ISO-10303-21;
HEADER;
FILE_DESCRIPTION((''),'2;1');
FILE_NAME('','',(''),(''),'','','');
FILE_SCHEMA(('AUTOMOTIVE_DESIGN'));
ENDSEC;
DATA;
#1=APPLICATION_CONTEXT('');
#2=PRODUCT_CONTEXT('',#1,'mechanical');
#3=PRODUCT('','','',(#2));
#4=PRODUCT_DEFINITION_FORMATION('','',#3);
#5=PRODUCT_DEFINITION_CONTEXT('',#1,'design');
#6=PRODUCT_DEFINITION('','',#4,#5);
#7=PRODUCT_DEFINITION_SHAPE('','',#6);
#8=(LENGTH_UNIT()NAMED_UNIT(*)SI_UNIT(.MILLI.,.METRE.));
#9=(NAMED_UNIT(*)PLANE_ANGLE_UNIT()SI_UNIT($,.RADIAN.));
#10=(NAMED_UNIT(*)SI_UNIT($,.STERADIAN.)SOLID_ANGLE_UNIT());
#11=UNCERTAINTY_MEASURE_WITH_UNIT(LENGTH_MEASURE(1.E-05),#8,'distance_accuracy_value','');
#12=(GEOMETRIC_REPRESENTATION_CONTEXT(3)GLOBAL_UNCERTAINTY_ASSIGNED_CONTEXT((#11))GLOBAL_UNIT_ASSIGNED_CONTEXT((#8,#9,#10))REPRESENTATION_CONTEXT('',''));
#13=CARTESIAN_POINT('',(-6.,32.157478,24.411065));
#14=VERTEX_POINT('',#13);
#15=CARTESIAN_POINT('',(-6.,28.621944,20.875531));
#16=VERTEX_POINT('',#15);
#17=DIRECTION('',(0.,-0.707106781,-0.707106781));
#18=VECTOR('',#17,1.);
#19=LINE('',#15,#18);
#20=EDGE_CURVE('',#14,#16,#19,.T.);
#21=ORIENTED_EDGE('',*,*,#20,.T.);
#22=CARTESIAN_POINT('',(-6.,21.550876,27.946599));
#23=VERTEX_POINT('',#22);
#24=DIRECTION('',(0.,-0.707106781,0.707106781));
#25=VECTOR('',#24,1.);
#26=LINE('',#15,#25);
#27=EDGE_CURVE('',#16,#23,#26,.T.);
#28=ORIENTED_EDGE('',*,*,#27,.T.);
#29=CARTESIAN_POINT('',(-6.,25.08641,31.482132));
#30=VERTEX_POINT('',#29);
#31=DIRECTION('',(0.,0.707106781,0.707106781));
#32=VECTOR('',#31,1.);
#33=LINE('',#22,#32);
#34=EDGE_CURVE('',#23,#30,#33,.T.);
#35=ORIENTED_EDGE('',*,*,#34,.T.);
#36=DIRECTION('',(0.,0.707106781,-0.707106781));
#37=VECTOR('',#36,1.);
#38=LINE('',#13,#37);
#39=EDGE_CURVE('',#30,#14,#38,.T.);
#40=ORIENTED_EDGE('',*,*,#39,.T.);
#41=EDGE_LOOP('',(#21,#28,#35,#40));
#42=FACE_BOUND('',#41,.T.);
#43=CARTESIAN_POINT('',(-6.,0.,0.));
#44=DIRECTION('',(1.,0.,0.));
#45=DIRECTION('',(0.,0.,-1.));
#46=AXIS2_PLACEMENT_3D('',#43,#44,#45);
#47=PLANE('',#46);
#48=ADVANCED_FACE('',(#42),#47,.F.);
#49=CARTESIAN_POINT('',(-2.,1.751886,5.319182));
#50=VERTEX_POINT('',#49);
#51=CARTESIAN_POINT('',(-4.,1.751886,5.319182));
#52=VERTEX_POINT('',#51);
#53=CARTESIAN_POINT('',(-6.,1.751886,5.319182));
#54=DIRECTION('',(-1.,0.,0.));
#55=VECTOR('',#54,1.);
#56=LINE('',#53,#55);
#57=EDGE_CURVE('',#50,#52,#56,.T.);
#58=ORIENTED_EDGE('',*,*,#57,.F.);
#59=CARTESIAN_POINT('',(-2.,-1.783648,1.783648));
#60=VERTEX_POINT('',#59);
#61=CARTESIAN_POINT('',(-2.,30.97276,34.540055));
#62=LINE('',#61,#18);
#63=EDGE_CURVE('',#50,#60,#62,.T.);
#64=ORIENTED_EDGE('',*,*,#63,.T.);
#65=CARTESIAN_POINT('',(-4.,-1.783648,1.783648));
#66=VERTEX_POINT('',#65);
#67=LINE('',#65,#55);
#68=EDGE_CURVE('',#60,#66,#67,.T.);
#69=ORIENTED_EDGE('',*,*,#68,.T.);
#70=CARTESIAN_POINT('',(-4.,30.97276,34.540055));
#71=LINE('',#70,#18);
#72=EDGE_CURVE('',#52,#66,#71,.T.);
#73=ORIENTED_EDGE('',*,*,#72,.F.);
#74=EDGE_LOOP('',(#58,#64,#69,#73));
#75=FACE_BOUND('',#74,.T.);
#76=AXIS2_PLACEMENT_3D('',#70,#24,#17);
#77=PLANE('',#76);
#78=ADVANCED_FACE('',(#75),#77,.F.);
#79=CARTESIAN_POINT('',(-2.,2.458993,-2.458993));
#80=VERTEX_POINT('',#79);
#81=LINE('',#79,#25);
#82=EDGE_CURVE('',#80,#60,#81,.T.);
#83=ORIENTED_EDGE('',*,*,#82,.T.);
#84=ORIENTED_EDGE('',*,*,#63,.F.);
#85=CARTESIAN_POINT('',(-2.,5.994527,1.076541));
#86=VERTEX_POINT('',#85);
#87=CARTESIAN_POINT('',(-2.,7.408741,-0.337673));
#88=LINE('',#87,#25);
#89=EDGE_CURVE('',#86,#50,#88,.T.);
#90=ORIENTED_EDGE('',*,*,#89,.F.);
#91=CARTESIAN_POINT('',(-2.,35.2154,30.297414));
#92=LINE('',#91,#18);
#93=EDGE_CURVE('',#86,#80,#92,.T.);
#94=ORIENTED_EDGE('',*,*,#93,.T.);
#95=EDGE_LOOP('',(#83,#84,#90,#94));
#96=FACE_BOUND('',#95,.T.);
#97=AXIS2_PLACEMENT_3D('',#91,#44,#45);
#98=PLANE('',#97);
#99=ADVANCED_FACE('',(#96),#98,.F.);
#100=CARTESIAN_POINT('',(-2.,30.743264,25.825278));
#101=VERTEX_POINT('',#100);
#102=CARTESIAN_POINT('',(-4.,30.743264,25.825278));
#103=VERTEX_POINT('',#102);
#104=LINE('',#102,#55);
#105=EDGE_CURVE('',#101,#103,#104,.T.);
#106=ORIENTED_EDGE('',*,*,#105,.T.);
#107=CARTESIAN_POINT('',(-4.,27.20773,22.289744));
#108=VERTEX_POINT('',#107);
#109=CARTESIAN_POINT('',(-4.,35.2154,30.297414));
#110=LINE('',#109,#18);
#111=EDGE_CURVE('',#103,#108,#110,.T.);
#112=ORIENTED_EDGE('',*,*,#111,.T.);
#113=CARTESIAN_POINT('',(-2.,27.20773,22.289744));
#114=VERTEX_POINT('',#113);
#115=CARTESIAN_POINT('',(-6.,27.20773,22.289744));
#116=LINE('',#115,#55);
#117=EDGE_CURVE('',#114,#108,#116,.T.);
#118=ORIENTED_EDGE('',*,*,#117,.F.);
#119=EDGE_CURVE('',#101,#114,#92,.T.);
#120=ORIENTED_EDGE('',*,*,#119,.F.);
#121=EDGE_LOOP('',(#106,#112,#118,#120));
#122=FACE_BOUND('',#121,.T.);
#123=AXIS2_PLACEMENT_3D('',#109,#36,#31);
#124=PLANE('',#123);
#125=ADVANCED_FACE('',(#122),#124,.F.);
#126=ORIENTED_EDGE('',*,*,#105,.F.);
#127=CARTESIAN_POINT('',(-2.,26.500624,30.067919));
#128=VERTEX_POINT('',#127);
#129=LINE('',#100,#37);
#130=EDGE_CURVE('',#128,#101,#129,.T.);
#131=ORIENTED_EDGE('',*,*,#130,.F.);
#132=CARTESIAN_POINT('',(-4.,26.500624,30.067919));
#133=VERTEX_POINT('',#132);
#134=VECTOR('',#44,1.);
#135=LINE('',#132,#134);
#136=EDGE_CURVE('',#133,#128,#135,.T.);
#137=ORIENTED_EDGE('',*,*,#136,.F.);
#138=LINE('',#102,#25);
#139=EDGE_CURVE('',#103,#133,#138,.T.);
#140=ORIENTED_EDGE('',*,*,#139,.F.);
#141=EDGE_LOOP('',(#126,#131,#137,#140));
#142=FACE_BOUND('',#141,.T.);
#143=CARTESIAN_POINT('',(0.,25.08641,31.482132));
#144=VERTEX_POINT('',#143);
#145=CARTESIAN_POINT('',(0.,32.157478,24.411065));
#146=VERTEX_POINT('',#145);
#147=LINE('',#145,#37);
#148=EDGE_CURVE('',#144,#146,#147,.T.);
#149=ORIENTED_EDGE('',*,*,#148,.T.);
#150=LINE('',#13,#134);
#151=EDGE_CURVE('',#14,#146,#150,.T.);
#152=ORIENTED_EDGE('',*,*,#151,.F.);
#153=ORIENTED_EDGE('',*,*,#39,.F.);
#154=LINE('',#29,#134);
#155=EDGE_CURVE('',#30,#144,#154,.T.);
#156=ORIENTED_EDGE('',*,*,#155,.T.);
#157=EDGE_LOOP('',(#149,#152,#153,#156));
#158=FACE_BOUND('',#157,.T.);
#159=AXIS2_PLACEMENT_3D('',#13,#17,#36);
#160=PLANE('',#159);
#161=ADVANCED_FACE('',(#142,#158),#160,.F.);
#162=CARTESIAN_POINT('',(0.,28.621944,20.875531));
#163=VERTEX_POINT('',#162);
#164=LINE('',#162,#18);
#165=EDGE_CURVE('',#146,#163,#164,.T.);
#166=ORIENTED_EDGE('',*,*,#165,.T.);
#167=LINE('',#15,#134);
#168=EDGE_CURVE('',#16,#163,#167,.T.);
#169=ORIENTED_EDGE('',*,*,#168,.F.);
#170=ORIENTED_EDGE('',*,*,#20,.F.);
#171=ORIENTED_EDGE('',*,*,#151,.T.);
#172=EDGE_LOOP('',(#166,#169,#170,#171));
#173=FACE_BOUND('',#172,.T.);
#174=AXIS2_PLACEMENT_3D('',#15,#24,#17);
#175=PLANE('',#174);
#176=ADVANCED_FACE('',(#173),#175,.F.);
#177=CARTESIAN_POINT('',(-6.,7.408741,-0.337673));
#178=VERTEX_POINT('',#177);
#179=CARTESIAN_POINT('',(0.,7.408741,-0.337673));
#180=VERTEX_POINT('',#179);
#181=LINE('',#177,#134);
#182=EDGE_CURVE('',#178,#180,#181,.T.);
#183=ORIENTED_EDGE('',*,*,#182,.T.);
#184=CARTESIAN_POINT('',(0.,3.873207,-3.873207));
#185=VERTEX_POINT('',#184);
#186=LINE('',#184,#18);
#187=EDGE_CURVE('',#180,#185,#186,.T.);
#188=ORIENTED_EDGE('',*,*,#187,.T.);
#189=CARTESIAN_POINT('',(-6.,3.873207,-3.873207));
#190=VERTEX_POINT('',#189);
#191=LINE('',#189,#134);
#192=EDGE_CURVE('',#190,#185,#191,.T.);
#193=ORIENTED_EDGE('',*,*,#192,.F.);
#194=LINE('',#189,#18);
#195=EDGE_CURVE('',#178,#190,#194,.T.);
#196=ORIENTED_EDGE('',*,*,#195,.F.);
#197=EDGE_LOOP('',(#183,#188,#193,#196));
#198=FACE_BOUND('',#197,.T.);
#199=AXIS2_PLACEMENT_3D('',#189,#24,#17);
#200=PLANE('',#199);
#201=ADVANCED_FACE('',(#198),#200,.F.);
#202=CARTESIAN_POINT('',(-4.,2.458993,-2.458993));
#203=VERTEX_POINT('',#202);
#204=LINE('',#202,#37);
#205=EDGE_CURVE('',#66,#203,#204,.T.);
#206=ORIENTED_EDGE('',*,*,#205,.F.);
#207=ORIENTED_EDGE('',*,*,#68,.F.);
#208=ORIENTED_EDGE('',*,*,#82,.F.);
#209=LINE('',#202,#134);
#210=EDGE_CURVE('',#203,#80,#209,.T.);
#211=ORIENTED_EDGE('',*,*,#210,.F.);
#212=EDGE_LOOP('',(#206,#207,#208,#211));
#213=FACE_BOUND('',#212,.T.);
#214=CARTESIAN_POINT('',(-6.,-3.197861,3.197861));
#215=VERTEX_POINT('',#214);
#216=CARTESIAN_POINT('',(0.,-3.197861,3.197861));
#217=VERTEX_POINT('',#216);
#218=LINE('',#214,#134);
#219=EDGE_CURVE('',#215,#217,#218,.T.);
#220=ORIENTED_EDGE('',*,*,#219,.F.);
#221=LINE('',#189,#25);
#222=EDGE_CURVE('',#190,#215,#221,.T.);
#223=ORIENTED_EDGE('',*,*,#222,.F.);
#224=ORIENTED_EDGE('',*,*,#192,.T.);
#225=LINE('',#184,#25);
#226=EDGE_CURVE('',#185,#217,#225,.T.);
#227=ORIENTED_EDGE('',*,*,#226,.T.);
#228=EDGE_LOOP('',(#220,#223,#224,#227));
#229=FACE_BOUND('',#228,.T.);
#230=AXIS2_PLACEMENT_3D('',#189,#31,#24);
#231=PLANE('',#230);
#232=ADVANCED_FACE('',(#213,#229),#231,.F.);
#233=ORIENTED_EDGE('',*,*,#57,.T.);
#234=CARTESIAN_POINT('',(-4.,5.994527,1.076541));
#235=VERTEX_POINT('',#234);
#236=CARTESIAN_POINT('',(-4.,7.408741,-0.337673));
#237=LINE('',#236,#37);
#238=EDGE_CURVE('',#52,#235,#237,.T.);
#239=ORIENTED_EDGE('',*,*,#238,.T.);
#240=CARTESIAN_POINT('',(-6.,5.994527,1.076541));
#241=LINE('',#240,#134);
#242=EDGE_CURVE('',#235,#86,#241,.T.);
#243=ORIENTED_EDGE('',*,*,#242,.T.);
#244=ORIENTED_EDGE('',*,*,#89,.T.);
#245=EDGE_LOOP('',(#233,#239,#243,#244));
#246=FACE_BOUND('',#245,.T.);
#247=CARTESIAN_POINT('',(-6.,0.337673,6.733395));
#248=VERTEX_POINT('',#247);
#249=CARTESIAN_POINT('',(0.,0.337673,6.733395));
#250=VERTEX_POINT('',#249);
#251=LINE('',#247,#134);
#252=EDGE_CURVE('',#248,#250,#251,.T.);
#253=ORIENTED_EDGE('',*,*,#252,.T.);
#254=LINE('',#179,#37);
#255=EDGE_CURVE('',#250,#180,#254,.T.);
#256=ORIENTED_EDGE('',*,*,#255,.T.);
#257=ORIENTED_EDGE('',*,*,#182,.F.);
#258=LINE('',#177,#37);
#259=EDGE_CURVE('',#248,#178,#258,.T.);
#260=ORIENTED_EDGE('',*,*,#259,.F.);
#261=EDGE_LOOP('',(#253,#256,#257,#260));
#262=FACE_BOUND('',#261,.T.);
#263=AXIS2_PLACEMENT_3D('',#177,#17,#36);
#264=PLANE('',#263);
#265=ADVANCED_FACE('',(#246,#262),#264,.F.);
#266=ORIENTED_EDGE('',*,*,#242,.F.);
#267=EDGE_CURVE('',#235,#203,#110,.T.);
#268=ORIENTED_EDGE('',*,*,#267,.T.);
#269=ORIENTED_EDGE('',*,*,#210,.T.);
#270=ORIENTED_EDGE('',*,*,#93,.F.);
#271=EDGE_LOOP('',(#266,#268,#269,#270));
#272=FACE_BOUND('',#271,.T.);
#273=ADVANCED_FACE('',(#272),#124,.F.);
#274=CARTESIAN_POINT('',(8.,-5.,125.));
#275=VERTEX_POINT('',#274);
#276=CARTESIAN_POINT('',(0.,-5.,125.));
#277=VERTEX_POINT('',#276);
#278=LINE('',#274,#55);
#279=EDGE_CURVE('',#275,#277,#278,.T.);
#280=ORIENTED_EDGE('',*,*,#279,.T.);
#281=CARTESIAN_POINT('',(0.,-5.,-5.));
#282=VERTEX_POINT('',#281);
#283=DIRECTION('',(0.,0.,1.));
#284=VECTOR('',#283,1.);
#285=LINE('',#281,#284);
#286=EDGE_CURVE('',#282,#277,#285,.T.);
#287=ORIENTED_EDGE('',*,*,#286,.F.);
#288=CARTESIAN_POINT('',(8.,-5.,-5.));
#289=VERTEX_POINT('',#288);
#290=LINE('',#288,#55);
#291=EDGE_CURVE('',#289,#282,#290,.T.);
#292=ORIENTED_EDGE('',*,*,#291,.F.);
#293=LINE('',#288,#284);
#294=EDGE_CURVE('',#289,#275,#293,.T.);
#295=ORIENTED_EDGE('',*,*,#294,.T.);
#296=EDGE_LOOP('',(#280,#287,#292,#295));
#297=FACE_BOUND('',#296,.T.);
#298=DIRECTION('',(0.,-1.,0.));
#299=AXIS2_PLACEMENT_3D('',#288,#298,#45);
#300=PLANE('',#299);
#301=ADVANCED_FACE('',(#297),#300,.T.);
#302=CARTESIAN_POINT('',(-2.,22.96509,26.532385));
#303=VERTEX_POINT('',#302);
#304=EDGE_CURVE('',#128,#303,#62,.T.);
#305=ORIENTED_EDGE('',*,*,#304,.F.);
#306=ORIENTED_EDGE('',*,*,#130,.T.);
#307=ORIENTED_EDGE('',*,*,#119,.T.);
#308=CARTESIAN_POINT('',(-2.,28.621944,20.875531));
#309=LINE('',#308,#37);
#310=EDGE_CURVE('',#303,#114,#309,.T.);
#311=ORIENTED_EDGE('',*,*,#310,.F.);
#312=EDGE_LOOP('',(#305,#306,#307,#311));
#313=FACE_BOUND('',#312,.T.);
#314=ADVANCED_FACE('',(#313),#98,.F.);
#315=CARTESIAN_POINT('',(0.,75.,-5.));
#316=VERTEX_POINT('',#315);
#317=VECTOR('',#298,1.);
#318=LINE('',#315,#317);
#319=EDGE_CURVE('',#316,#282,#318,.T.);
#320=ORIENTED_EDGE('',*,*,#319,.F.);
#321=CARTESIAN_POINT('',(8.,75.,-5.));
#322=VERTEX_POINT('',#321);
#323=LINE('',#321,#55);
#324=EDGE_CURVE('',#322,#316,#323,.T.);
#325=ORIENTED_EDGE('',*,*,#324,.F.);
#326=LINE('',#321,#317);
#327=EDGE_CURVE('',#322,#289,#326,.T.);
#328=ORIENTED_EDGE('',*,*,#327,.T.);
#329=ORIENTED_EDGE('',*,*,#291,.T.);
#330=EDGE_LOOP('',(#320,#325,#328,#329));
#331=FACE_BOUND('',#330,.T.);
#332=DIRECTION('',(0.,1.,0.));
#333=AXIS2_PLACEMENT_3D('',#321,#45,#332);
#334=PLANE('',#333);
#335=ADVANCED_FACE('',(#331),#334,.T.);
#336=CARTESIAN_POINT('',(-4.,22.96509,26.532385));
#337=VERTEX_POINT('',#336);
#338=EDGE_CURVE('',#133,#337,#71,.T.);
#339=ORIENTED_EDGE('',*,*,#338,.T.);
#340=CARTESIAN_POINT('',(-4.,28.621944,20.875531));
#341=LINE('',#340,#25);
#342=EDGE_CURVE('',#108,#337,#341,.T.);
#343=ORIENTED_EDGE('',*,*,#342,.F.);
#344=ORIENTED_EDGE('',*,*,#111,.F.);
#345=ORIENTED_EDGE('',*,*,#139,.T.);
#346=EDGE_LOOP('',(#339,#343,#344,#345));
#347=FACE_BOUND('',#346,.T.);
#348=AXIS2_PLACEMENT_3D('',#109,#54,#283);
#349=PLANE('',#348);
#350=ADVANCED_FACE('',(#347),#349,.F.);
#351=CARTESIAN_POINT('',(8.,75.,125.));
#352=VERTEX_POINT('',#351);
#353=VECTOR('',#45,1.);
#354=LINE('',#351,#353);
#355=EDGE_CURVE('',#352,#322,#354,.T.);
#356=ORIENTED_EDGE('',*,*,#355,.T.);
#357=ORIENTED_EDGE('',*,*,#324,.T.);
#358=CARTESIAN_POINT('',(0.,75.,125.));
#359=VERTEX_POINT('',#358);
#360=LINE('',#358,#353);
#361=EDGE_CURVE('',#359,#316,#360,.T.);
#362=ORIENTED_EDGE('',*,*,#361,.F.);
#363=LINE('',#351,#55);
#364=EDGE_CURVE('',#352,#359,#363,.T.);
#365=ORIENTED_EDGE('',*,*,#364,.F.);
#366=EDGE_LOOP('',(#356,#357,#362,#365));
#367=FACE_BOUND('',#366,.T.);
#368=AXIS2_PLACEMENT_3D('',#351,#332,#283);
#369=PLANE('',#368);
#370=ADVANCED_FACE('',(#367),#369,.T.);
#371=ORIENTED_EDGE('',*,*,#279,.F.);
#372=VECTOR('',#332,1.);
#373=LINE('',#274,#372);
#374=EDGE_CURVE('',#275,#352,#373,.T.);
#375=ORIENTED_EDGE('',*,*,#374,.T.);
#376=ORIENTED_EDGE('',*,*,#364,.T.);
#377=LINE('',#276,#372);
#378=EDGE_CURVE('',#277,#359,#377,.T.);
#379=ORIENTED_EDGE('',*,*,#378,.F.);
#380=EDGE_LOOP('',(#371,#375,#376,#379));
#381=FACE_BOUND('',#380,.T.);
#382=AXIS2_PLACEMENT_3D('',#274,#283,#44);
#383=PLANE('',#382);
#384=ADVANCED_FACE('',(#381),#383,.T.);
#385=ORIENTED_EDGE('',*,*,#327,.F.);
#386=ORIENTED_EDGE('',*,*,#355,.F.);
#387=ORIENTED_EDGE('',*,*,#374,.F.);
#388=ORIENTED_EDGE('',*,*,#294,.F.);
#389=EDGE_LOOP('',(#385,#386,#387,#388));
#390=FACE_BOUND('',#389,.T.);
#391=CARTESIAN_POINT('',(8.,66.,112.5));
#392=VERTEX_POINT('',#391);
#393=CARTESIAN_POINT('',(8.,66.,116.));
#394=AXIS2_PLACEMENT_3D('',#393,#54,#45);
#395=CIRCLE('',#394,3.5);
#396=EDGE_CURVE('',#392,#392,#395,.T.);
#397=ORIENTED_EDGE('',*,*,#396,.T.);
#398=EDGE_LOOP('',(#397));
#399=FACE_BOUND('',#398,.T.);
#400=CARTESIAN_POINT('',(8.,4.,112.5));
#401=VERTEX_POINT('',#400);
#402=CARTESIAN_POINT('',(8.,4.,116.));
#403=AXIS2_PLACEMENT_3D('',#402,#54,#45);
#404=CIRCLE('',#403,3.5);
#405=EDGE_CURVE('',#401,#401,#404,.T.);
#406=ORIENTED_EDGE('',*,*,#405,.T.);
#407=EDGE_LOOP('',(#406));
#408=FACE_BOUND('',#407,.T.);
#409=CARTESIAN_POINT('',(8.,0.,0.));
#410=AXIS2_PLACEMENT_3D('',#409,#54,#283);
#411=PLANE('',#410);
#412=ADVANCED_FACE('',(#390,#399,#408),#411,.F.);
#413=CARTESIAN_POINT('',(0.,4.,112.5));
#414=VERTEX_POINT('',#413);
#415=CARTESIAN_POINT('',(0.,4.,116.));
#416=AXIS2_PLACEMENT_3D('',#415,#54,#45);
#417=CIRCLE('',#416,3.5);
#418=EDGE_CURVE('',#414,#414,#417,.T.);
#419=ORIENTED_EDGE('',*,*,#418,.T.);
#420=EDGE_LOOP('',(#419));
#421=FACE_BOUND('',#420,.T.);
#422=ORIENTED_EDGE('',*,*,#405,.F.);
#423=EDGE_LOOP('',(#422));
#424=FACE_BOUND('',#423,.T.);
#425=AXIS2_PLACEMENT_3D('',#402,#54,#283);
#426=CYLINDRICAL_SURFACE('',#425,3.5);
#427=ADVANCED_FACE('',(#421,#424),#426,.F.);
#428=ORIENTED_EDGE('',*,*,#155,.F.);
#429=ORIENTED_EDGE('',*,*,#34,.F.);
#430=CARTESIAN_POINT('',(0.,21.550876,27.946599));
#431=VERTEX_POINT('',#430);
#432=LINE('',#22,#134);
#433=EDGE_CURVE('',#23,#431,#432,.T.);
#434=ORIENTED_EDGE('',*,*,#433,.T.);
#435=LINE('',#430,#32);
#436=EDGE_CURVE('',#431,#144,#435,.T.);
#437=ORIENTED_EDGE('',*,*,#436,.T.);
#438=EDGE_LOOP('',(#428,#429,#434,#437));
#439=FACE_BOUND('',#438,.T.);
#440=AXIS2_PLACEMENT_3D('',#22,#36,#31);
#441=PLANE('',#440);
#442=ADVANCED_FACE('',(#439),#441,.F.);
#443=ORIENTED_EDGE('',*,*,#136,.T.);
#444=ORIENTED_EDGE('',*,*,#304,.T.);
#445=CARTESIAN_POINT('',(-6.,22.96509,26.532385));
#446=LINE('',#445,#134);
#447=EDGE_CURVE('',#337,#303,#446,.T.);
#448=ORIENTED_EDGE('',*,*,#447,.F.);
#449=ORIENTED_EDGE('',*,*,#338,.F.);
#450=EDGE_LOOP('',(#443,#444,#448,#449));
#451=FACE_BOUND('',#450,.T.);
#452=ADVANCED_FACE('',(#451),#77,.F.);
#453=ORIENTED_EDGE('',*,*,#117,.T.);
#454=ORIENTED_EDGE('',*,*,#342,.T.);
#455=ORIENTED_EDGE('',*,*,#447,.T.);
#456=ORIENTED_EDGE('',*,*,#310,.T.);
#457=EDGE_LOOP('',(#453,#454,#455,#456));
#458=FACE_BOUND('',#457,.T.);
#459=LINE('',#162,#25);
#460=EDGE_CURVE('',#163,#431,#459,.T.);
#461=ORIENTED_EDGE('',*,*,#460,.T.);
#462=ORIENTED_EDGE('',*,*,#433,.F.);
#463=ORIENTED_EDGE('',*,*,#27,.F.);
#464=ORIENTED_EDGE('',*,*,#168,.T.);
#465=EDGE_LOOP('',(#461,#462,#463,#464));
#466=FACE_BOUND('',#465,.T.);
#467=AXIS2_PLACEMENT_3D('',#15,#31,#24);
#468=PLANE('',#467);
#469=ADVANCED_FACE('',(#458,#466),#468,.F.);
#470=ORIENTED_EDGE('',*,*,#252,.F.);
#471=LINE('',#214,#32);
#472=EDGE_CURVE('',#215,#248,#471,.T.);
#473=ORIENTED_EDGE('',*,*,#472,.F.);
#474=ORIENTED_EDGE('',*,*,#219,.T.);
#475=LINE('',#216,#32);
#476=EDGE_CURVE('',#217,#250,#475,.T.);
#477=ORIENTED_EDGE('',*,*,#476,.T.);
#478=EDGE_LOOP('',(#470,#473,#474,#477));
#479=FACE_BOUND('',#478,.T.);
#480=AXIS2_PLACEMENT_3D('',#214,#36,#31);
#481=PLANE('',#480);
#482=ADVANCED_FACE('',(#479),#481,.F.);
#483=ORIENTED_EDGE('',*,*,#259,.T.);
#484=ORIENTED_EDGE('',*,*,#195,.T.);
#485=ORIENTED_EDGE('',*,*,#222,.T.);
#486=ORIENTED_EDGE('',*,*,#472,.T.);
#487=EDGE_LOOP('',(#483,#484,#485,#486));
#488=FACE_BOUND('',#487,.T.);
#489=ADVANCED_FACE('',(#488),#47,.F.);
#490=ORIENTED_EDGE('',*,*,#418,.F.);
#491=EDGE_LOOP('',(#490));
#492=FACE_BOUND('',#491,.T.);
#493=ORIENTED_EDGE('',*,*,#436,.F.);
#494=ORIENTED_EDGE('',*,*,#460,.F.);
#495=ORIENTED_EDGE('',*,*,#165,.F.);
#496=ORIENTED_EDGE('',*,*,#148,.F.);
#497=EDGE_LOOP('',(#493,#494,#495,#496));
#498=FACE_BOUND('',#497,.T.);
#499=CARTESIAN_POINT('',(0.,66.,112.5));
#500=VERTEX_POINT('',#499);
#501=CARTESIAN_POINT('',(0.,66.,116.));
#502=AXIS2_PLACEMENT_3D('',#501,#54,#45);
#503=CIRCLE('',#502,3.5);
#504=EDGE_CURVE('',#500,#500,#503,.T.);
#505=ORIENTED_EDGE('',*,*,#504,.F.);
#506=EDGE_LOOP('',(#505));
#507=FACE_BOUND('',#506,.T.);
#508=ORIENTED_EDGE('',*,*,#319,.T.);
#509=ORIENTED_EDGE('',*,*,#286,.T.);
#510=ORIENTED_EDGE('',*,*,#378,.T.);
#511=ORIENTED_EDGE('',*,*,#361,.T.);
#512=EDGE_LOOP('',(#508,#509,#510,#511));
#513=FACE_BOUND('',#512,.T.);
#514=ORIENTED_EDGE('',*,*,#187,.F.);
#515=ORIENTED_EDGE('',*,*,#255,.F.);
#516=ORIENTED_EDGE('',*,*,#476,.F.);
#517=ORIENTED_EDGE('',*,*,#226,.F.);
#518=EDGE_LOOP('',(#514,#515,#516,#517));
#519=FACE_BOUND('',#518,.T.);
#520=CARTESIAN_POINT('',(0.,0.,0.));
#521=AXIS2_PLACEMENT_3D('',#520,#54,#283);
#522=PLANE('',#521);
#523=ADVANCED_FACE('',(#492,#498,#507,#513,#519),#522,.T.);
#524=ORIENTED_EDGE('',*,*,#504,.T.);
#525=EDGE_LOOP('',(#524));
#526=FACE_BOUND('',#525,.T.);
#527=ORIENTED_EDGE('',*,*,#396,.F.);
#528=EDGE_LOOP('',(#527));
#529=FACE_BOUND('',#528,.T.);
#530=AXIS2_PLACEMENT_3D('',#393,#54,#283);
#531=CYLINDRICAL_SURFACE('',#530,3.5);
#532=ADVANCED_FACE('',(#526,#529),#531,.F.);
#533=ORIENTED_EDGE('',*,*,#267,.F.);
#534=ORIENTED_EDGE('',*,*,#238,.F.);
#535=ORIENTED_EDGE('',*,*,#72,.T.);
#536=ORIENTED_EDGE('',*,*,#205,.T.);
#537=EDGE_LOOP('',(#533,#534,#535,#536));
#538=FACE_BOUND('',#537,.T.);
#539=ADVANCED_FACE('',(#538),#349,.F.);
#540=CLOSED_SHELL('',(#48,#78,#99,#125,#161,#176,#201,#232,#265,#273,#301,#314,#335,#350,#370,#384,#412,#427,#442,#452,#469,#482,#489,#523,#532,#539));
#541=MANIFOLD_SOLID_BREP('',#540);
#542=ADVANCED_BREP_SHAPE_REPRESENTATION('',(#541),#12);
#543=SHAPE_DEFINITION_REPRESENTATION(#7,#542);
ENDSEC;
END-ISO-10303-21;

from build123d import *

# Parameters (mm, degrees)
SKETCH1_W                   = 80
SKETCH1_H                   = 130
SKETCH1_R                   = 3.5
BOSS_EXTRUDE1_DEPTH         = 8
DODANIE_WYCI_GNI_CIE1_DEPTH = 6
SZKIC2_W                    = 2
SZKIC2_H                    = 6
WYTNIJ_WYCI_GNI_CIE1_DEPTH  = 40


with BuildPart() as part:
    # Sketch1 → Boss-Extrude1 (new body)
    with BuildSketch(Plane(origin=(0, 0, 0), x_dir=(0, -1, 0), z_dir=(-1, 0, 0))):
        with Locations((-35, 60)):
            Rectangle(SKETCH1_W, SKETCH1_H)
        with Locations((-66, 116)):
            Circle(SKETCH1_R, mode=Mode.SUBTRACT)
        with Locations((-4, 116)):
            Circle(SKETCH1_R, mode=Mode.SUBTRACT)
    extrude(amount=-BOSS_EXTRUDE1_DEPTH)

    # Szkic1 → Dodanie-wyciągnięcie1 (add)
    with BuildSketch(Plane.ZY):
        Polygon((-3.873206623, 3.873206623), (3.197861189, -3.197861189), (6.733395095, 0.337672717), (-0.337672717, 7.408740528), align=None)
        Polygon((20.875530719, 28.621943964), (27.946598531, 21.550876152), (31.482132437, 25.086410058), (24.411064625, 32.15747787), align=None)
    extrude(amount=DODANIE_WYCI_GNI_CIE1_DEPTH)

    # Szkic2 → Wytnij-wyciągnięcie1 (cut)
    with BuildSketch(Plane(origin=(0, 0, 0), x_dir=(1, 0, 0), z_dir=(0, -0.707106781, -0.707106781))):
        with Locations((-3, -0.477541336)):
            Rectangle(SZKIC2_W, SZKIC2_H)
    extrude(amount=-WYTNIJ_WYCI_GNI_CIE1_DEPTH, mode=Mode.SUBTRACT)


solid = part.part
